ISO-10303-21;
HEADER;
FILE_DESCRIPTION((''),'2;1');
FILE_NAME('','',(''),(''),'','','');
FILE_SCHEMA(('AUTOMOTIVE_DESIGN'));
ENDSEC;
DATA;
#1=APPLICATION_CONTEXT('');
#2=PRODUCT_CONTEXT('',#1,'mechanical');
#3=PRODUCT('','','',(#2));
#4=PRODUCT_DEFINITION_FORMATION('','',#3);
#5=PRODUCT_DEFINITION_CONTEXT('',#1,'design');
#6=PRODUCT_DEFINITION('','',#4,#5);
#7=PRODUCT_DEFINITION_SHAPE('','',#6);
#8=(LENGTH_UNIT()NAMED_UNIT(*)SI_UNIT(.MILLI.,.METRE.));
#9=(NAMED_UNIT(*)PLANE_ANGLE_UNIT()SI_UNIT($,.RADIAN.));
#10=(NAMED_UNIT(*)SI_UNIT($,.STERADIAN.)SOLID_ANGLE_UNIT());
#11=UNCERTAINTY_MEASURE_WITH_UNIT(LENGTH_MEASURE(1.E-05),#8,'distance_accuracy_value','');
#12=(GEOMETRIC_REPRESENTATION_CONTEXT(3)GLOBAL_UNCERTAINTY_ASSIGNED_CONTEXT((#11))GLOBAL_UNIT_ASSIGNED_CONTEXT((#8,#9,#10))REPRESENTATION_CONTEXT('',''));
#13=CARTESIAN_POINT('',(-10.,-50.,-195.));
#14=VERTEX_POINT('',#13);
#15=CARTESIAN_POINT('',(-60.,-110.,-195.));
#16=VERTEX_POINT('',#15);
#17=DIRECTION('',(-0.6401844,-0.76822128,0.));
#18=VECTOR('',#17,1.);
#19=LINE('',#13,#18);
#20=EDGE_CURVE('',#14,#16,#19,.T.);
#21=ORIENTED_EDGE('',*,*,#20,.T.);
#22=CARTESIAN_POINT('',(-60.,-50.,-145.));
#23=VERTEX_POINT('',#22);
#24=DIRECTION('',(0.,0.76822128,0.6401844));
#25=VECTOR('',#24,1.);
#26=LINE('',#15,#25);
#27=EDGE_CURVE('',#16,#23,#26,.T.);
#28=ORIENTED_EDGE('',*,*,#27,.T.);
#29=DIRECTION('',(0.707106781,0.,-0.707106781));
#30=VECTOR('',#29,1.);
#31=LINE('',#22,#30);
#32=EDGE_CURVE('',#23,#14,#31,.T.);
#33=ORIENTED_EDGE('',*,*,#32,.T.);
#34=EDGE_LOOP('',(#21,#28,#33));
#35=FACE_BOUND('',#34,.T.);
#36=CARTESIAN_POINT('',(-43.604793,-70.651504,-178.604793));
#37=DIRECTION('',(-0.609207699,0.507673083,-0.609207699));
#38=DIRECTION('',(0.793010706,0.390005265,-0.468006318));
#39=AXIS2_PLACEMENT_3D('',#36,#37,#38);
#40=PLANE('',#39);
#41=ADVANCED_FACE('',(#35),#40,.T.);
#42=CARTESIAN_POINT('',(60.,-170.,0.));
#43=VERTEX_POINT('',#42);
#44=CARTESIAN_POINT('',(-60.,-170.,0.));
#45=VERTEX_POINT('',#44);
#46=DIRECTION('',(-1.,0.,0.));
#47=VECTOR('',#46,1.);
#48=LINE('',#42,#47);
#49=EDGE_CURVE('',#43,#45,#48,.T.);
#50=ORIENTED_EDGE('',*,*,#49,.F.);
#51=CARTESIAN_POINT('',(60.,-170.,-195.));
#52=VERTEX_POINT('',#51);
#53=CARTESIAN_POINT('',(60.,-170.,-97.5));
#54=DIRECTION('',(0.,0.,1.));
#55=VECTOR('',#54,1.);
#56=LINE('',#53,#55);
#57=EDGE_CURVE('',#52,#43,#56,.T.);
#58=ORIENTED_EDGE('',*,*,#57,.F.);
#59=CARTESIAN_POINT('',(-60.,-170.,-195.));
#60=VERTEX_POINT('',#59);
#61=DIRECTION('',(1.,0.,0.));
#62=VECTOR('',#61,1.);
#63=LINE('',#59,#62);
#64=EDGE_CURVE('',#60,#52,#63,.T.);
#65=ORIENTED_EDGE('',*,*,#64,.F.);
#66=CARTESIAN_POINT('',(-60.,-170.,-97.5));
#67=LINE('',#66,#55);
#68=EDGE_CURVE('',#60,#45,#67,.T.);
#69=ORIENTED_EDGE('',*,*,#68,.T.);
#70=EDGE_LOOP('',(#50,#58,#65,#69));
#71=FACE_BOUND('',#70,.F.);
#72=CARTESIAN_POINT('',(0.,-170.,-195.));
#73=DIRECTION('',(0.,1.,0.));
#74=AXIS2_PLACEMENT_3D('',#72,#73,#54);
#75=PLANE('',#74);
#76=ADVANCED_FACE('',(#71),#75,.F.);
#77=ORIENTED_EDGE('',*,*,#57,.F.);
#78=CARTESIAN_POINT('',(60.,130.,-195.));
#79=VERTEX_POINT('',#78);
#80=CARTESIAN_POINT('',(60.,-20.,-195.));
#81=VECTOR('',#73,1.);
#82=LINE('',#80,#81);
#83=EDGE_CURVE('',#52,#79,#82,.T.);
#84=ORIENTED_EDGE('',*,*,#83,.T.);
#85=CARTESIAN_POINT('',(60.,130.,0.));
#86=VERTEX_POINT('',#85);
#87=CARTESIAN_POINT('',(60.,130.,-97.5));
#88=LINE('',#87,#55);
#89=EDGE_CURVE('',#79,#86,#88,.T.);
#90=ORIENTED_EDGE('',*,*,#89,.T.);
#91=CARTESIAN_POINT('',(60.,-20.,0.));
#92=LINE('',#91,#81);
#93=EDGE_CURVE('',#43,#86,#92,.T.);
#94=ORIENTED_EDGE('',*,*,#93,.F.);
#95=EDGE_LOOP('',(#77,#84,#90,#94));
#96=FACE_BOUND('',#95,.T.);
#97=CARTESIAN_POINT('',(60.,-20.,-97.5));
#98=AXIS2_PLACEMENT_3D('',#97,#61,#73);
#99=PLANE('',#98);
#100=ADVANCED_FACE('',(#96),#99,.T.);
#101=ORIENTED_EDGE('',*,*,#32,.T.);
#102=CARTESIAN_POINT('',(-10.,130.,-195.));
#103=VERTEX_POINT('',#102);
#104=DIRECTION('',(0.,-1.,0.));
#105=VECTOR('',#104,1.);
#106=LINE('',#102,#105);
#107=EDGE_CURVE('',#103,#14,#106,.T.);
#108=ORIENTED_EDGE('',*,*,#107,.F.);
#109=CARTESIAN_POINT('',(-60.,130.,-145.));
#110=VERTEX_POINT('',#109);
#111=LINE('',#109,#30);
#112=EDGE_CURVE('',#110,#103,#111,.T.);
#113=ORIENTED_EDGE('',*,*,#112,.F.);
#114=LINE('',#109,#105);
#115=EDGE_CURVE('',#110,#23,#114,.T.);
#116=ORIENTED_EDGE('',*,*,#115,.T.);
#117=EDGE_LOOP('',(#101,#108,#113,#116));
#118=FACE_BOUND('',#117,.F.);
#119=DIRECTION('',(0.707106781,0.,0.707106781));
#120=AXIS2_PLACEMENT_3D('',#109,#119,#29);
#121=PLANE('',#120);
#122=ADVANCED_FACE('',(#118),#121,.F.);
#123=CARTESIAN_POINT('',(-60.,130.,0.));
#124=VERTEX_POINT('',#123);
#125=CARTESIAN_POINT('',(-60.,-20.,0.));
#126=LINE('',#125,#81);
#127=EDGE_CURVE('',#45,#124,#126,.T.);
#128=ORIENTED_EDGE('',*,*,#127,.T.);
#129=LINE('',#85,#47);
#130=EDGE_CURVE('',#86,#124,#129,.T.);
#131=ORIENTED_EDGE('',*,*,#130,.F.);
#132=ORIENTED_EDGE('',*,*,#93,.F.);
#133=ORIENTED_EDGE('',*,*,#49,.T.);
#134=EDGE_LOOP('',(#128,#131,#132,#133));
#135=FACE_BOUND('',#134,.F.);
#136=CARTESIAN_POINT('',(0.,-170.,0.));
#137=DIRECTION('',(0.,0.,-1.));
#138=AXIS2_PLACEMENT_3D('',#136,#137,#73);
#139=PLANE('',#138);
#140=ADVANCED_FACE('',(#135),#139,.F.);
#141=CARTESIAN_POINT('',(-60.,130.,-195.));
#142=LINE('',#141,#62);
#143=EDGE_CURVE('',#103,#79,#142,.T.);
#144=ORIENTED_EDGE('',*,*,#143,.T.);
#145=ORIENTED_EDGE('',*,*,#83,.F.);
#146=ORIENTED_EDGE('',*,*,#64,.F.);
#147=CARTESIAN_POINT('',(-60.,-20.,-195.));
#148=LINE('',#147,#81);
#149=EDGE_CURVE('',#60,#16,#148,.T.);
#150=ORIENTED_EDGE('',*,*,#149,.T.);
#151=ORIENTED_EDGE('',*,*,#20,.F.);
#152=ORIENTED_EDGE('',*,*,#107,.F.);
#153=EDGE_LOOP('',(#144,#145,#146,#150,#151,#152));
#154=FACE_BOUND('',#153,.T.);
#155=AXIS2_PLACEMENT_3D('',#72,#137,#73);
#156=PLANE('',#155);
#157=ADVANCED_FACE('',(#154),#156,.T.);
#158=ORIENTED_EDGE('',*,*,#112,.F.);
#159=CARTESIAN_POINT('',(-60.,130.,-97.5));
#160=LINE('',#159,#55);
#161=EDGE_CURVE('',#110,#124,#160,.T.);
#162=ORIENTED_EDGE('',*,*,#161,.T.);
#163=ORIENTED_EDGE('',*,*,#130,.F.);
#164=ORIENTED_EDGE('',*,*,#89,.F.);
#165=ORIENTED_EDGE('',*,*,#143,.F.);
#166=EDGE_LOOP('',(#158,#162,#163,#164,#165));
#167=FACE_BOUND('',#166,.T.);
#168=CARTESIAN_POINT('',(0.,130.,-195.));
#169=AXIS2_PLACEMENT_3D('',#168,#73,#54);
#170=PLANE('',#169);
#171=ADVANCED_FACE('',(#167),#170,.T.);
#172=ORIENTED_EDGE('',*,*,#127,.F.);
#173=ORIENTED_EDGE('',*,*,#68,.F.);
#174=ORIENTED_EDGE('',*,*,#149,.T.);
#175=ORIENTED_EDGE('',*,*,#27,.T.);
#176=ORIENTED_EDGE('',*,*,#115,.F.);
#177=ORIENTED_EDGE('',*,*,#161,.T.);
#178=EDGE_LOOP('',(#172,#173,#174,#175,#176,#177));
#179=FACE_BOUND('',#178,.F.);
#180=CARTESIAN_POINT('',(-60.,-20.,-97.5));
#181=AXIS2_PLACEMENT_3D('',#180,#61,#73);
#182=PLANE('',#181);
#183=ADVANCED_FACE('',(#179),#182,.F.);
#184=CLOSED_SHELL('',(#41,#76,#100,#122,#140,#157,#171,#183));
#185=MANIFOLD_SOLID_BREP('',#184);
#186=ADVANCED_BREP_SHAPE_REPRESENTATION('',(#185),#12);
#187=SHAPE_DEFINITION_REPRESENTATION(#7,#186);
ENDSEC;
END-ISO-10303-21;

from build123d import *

# Parameters (mm, degrees)
F0_W     = 300
F0_H     = 195
F1_DEPTH = 60
F3_DEPTH = 180
F7_DEPTH = 121.842539816


with BuildPart() as f1:
    # F0 (on Right) → F1 (new body, symmetric)
    with BuildSketch(Plane.YZ):
        with Locations((-20, -97.5)):
            Rectangle(F0_W, F0_H)
    extrude(amount=F1_DEPTH, both=True)

    # F2 (on face) → F3 (cut)
    with BuildSketch(Plane(origin=(0, 130, 0), x_dir=(-1, 0, 0), z_dir=(0, 1, 0))):
        Polygon((60, -145), (10, -195), (60, -195), align=None)
    extrude(amount=-F3_DEPTH, mode=Mode.SUBTRACT)

    # F6 (on 3pt) → F7 (cut, through all)
    with BuildSketch(Plane(origin=(-60.618556701, 50.5154639175, -60.618556701), x_dir=(0.7930107057, 0.3900052651, -0.4680063181), z_dir=(-0.6092076991, 0.5076730826, -0.6092076991))):
        Polygon((0.7800105302, 209.3402986903), (0.7800105302, 131.2378019312), (63.8308617224, 163.2470219144), align=None)
    extrude(amount=F7_DEPTH, mode=Mode.SUBTRACT)


solid = f1.part
